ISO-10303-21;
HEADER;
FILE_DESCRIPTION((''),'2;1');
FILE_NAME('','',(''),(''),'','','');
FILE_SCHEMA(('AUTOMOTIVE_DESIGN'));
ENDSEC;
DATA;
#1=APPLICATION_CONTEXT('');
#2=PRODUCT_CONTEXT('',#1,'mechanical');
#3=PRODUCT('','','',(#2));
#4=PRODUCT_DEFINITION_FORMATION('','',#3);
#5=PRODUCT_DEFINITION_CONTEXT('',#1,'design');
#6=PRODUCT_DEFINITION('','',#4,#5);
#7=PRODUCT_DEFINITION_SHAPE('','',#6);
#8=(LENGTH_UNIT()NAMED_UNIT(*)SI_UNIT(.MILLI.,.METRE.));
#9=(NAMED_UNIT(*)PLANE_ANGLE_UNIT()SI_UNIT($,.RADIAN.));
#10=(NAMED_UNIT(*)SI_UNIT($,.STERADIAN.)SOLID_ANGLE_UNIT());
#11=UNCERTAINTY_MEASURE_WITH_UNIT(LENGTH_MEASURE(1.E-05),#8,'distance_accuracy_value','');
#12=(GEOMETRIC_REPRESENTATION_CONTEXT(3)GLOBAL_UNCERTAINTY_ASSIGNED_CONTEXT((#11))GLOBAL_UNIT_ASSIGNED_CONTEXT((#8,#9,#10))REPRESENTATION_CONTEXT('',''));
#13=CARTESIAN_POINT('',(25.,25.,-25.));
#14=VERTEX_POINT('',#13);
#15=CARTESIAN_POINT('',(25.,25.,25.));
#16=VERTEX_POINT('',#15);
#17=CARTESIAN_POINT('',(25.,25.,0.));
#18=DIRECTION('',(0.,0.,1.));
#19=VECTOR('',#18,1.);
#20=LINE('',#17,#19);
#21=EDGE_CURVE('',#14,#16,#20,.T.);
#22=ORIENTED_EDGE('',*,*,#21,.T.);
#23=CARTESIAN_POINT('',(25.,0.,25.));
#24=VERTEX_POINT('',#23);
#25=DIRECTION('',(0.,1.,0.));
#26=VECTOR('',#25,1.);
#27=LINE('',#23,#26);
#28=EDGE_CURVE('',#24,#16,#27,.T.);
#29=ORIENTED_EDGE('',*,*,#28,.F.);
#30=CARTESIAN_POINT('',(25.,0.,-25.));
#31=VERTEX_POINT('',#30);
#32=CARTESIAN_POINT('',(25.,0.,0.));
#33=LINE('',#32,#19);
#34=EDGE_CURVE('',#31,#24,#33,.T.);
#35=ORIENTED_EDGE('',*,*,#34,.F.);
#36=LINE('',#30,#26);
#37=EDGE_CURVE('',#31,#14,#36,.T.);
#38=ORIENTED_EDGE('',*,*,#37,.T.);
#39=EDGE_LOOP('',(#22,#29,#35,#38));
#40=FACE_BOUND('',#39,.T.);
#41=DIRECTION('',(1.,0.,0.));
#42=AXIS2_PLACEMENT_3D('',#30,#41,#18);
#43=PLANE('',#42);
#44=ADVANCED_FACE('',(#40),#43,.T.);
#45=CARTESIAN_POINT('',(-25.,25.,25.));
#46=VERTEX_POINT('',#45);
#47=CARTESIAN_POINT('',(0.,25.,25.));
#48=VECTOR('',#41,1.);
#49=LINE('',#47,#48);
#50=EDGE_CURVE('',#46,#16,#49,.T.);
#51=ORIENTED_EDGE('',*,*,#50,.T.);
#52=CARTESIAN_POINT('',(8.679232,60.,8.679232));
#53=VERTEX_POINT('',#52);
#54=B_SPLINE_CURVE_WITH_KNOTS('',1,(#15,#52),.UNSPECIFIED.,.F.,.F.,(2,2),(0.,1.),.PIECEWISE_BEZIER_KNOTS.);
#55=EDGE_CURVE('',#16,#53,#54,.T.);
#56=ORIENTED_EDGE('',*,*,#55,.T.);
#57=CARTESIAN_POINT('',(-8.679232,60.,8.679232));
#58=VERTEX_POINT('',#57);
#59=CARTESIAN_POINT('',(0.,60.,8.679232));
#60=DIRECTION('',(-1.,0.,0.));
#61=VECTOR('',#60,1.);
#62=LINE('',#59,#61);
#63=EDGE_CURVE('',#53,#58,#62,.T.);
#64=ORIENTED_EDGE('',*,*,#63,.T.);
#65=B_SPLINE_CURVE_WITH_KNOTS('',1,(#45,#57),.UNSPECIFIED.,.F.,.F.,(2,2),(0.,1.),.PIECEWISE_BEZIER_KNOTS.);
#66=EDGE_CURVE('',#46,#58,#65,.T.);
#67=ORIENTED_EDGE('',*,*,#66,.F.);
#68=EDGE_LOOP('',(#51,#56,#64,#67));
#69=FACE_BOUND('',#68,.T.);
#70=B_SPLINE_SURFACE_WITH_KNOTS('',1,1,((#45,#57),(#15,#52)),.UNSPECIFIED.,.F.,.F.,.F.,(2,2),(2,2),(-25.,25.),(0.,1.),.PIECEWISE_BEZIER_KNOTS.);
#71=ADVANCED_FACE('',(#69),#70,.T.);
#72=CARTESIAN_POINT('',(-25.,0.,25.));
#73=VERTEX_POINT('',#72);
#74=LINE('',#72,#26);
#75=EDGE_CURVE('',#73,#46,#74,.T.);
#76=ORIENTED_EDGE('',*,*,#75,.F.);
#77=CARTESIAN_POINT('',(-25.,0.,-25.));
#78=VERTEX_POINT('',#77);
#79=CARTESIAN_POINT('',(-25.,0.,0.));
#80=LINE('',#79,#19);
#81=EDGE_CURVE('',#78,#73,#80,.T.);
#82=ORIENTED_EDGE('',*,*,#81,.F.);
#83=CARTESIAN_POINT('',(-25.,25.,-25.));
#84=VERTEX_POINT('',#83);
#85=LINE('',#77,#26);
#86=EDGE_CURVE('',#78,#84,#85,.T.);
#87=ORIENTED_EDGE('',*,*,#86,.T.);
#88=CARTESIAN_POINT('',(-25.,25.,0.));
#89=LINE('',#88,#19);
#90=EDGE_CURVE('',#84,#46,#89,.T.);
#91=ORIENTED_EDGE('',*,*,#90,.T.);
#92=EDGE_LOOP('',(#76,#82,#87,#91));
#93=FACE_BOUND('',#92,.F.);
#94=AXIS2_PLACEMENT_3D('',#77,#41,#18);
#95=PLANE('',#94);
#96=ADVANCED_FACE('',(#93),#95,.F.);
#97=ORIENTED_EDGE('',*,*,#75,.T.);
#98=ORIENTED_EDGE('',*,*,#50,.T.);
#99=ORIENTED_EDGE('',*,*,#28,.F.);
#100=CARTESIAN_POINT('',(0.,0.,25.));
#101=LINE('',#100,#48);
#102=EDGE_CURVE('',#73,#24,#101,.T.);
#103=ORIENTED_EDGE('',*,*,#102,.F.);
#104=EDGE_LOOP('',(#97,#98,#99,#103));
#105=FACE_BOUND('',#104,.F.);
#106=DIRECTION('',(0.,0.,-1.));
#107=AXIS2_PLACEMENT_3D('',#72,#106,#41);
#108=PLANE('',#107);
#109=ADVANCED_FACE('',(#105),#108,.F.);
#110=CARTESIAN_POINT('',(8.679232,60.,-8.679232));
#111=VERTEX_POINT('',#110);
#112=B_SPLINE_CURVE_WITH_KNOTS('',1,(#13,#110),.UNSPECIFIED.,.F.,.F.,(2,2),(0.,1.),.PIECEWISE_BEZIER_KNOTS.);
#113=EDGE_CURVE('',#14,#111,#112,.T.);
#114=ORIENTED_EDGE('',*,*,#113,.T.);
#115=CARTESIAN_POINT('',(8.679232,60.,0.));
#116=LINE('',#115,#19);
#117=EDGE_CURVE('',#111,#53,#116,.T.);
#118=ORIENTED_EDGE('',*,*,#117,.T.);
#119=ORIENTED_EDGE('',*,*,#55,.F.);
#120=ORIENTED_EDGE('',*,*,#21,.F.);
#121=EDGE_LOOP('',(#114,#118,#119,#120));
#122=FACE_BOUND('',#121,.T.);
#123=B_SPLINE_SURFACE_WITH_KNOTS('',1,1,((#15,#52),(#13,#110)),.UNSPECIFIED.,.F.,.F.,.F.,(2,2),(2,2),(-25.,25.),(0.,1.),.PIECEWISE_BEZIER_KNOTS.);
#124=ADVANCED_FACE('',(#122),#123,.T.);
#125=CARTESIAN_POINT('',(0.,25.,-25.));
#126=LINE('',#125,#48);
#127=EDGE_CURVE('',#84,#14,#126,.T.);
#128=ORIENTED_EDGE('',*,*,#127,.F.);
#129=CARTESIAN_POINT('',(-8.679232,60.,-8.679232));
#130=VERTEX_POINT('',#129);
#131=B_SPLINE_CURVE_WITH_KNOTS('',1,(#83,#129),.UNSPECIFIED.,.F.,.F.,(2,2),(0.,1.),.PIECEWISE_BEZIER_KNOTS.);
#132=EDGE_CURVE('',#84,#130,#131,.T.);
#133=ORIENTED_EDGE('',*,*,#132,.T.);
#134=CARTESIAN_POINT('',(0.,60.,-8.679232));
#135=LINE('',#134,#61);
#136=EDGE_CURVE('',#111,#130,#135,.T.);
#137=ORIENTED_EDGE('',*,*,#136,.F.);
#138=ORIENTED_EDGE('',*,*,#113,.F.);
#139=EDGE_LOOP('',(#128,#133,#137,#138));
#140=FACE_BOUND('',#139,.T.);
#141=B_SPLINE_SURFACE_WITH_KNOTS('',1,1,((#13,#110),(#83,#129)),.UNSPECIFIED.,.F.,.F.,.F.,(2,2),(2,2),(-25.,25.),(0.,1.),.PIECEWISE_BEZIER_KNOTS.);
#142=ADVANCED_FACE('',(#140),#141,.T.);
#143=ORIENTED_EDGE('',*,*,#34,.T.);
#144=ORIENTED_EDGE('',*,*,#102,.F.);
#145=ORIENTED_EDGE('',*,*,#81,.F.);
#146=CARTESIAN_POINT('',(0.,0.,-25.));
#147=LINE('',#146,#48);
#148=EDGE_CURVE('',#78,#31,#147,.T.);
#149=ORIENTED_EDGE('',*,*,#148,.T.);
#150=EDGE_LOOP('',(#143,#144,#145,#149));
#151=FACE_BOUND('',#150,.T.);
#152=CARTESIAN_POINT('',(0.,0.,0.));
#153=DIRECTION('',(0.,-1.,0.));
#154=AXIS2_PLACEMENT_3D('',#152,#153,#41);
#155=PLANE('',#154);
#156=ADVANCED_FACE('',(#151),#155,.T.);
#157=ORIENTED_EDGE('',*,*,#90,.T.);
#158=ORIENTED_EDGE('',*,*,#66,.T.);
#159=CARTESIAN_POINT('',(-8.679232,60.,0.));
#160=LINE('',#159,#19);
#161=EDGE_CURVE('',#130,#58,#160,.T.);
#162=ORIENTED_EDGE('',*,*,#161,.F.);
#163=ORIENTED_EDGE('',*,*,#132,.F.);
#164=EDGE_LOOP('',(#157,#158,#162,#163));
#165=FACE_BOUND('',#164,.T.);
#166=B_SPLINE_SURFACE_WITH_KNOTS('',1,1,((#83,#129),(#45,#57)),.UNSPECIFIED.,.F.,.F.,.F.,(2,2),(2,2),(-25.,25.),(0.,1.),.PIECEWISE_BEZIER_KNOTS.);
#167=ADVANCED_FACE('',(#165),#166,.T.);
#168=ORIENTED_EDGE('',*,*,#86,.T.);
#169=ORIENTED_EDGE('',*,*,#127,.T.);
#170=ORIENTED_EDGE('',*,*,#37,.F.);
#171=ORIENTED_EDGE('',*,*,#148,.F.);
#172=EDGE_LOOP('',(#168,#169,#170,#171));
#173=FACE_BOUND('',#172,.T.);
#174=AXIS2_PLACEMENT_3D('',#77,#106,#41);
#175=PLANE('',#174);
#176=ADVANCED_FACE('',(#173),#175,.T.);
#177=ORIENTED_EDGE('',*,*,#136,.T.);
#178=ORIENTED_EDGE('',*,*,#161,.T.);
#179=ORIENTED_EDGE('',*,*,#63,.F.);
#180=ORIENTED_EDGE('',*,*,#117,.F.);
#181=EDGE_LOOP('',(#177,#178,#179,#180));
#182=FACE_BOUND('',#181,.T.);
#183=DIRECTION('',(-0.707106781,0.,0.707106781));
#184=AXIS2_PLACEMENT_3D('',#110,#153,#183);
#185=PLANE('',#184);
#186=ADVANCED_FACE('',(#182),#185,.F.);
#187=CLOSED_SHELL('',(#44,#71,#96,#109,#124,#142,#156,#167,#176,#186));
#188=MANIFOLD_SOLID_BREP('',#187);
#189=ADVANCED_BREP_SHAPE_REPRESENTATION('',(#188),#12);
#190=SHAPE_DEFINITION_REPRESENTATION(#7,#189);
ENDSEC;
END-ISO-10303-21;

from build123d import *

# Parameters (mm, degrees)
F0_W     = 50
F0_H     = 50
F1_DEPTH = 25
F2_W     = 50
F2_H     = 50
F3_DEPTH = 35
F3_TAPER = 25


with BuildPart() as f1:
    # F0 (on Front) → F1 (new body)
    with BuildSketch(Plane.XZ):
        Rectangle(F0_W, F0_H)
    extrude(amount=-F1_DEPTH)

    # F2 (on face) → F3 (join)
    with BuildSketch(Plane(origin=(0, 25, 0), x_dir=(-1, 0, 0), z_dir=(0, 1, 0))):
        Rectangle(F2_W, F2_H)
    extrude(amount=F3_DEPTH, taper=F3_TAPER)


solid = f1.part
